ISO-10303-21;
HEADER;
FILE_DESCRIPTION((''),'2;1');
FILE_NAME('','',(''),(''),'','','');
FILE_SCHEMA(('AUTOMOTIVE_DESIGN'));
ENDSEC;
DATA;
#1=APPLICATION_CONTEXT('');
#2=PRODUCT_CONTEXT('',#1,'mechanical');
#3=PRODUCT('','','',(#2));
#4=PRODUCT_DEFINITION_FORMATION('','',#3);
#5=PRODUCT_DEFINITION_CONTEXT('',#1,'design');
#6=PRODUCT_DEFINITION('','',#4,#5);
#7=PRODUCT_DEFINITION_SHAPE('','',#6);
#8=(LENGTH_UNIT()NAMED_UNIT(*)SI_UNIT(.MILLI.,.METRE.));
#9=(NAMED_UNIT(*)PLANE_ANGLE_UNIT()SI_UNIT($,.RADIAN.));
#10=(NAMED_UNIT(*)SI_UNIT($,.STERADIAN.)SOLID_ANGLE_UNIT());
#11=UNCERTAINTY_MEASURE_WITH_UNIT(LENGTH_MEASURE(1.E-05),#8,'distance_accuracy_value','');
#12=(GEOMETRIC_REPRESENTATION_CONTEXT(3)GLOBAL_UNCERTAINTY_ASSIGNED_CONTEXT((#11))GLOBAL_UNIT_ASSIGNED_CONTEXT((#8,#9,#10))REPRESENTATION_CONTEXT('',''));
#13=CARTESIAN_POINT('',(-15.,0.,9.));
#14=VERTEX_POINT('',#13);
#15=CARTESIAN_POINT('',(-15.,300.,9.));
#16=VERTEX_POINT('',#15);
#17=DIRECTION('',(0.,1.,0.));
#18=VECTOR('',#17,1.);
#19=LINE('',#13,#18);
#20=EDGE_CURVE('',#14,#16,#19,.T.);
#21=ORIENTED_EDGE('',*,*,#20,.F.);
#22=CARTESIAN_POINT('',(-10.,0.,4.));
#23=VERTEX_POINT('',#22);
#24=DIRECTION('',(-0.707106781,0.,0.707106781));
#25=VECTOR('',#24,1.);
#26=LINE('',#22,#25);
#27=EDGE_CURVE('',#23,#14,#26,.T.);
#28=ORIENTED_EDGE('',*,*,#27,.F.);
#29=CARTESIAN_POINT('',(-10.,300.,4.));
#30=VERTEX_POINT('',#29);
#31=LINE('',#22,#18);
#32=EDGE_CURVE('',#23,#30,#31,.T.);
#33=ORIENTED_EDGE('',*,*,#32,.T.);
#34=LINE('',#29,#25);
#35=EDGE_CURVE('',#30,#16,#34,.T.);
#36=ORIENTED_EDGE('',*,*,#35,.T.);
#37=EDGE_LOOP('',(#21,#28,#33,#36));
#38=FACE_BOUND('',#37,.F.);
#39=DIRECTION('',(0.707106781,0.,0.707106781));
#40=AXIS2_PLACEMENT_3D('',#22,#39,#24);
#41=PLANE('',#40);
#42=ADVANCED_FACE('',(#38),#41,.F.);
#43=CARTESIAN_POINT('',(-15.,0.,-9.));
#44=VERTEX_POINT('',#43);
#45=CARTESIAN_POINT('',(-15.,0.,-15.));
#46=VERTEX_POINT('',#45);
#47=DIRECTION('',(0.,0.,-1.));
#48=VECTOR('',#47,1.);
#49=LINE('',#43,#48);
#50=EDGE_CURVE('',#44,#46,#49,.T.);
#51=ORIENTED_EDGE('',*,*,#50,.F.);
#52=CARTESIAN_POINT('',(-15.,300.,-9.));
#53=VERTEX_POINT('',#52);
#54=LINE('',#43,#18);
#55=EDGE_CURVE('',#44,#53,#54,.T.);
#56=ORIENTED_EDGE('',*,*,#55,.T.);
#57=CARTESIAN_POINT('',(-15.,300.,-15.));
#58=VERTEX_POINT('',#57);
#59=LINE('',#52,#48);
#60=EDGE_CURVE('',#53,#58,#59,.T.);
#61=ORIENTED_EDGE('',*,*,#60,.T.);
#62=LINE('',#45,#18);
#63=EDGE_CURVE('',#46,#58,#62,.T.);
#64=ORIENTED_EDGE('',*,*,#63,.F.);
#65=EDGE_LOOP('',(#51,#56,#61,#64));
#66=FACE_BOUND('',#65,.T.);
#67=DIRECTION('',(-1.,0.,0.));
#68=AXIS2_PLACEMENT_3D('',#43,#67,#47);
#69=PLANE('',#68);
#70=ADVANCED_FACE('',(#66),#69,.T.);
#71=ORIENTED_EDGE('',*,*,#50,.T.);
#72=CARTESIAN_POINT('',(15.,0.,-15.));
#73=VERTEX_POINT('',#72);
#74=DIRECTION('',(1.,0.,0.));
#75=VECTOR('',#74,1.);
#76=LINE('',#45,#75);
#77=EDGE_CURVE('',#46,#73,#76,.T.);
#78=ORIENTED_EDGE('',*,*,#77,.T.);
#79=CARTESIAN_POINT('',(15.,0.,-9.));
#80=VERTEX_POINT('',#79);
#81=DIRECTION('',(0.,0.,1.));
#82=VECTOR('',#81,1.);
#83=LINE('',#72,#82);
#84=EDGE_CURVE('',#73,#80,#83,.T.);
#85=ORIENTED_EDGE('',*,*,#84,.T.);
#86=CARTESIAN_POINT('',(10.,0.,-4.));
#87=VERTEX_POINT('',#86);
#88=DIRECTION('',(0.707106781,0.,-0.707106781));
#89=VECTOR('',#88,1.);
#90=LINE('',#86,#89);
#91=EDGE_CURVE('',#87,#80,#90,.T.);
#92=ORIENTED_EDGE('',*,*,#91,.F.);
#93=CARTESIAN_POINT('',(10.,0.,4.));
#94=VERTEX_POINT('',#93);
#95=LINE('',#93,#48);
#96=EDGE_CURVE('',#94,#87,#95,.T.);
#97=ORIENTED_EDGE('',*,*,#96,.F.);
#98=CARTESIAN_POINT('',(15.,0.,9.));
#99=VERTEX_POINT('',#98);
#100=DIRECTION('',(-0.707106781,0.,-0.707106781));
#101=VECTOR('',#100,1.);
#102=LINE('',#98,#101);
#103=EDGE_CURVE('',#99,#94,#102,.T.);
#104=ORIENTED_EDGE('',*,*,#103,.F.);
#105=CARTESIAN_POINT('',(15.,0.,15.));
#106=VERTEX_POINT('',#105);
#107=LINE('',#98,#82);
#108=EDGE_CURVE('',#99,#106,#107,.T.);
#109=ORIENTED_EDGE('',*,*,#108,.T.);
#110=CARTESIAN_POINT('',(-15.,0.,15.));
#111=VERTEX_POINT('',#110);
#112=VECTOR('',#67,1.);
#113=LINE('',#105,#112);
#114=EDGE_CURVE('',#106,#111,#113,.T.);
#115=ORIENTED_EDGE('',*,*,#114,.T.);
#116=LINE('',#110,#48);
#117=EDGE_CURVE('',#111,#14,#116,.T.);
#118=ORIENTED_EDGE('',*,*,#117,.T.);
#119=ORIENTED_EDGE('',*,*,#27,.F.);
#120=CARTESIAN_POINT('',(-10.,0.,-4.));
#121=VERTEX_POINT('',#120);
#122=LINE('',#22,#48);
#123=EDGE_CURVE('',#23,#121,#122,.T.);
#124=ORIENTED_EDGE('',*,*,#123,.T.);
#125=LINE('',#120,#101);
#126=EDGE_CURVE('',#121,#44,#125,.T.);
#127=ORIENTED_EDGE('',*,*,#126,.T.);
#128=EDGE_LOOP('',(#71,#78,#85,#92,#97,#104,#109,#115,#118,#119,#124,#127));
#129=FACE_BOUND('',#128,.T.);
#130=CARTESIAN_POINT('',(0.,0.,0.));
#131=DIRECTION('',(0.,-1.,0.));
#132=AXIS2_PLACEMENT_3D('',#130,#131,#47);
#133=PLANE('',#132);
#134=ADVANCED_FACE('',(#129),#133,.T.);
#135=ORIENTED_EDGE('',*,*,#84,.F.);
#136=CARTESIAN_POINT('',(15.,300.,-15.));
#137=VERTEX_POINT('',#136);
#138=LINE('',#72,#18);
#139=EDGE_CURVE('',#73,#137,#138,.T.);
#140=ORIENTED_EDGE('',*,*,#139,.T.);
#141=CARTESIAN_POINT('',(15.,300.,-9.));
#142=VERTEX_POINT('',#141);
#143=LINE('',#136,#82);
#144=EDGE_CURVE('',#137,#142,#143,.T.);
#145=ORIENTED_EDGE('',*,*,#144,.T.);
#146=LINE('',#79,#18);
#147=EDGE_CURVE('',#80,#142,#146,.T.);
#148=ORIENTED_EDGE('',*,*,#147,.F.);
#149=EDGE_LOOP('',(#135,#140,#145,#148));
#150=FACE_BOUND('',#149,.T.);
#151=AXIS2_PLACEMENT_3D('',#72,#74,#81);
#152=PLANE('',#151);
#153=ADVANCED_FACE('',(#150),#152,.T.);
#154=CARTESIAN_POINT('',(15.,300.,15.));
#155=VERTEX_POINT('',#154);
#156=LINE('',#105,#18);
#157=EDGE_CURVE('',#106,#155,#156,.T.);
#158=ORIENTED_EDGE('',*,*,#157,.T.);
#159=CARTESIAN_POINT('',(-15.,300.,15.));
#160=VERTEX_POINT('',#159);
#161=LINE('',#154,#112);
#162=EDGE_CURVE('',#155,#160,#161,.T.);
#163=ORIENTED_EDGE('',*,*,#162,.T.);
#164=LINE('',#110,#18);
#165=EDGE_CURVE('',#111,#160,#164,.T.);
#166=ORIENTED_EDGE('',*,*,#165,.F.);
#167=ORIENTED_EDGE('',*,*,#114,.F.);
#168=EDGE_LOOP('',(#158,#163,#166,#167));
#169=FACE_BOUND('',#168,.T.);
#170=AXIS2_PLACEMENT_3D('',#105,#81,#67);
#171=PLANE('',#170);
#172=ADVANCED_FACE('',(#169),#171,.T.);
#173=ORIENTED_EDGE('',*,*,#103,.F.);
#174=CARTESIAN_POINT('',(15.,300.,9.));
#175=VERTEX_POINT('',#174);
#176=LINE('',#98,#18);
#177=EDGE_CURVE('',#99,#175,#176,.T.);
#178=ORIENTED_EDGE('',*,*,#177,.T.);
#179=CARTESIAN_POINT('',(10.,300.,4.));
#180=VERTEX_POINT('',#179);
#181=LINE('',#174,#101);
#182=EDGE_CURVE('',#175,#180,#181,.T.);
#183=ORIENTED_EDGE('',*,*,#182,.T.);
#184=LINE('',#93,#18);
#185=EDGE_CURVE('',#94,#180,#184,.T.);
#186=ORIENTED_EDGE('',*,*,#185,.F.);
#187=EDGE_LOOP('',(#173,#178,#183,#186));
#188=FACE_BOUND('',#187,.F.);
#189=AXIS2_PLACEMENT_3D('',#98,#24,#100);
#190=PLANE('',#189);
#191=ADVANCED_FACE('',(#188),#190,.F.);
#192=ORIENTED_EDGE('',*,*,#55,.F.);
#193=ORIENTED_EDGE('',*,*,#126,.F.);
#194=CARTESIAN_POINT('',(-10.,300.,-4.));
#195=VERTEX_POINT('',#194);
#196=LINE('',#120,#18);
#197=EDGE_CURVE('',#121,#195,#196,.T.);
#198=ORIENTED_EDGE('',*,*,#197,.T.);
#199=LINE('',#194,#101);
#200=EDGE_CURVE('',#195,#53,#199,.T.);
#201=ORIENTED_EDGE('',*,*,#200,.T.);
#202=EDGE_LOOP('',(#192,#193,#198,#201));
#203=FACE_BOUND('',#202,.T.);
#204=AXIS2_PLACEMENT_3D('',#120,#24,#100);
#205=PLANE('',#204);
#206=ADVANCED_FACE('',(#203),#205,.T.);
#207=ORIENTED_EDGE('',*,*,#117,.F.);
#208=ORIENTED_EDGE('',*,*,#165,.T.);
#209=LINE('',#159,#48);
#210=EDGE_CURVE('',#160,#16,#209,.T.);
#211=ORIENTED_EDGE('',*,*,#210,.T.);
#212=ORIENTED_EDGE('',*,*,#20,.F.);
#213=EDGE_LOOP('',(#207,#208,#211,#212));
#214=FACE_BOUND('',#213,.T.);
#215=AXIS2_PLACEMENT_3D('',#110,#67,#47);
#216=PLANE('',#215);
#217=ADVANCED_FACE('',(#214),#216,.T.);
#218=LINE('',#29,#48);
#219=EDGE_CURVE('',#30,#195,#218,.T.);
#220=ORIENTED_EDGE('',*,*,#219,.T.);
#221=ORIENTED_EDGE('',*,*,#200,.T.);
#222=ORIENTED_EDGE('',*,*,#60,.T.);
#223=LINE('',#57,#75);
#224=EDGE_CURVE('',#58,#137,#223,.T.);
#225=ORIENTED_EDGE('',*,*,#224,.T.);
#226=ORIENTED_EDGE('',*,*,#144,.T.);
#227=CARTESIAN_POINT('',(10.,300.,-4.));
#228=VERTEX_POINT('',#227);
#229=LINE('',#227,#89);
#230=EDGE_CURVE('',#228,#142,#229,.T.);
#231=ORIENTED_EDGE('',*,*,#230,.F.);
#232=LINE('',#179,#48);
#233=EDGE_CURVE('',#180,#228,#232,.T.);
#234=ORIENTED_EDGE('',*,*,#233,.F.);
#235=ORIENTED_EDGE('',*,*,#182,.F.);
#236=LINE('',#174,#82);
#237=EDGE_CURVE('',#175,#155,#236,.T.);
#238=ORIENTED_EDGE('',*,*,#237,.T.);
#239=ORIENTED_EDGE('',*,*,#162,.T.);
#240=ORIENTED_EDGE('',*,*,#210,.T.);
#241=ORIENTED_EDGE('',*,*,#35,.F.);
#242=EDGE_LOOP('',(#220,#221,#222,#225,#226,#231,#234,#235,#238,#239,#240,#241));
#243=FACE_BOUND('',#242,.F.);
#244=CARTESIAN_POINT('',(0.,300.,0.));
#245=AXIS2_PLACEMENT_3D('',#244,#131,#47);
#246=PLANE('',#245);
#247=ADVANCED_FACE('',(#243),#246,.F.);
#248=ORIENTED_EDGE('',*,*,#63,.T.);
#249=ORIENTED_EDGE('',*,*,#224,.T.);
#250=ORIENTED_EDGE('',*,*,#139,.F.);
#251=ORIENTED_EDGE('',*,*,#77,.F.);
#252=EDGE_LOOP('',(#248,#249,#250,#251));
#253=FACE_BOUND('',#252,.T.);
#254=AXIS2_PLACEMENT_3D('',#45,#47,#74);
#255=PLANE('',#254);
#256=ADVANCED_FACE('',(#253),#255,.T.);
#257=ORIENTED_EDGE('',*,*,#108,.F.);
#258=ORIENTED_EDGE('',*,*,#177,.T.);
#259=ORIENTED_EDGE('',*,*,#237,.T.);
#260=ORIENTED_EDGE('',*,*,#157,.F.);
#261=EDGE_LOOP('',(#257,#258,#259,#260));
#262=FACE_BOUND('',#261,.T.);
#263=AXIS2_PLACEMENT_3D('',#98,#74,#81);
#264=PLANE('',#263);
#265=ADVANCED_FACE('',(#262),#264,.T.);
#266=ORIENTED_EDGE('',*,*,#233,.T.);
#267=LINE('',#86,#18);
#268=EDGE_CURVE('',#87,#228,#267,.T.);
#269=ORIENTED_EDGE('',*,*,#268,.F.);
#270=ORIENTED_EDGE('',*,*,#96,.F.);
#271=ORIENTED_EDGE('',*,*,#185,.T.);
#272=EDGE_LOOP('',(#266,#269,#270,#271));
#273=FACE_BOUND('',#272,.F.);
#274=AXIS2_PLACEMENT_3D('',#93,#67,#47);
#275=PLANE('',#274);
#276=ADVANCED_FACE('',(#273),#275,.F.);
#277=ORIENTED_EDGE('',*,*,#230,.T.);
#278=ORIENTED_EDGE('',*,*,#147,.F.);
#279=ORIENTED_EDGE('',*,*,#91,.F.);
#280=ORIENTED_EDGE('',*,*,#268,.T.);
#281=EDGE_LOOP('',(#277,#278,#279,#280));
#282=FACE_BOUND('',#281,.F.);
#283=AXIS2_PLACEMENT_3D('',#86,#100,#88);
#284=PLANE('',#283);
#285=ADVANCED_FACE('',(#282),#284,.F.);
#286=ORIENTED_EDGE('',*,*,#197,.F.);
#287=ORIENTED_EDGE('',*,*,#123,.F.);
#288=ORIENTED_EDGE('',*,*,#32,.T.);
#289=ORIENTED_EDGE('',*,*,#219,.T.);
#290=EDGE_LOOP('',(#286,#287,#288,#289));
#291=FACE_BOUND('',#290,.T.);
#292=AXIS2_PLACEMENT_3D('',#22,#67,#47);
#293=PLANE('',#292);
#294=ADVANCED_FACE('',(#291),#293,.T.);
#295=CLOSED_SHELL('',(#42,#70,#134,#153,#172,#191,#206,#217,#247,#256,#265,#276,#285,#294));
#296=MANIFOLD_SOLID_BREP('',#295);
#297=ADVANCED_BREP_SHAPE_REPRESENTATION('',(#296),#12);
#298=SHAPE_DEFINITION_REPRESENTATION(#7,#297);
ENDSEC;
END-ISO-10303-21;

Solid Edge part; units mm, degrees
sketch "Sketch1" plane through (0, 0, 0) normal (0, -1, 0) x (1, 0, 0)
  line L0 (-15, -15) -> (15, -15)
  line L1 (15, -15) -> (15, -9)
  line L2 (10, -4) -> (15, -9)
  line L3 (10, 4) -> (10, -4)
  line L4 (15, 9) -> (10, 4)
  line L5 (15, 9) -> (15, 15)
  line L6 (15, 15) -> (-15, 15)
  line L7 (-15, 15) -> (-15, 9)
  line L8 (-10, 4) -> (-15, 9)
  line L9 (-10, 4) -> (-10, -4)
  line L10 (-10, -4) -> (-15, -9)
  line L11 (-15, -9) -> (-15, -15)
  dimension "D1" = 5
  dimension "D2" = 4
extrude "Protrusion1" add sketch "Sketch1" against normal blind 300
